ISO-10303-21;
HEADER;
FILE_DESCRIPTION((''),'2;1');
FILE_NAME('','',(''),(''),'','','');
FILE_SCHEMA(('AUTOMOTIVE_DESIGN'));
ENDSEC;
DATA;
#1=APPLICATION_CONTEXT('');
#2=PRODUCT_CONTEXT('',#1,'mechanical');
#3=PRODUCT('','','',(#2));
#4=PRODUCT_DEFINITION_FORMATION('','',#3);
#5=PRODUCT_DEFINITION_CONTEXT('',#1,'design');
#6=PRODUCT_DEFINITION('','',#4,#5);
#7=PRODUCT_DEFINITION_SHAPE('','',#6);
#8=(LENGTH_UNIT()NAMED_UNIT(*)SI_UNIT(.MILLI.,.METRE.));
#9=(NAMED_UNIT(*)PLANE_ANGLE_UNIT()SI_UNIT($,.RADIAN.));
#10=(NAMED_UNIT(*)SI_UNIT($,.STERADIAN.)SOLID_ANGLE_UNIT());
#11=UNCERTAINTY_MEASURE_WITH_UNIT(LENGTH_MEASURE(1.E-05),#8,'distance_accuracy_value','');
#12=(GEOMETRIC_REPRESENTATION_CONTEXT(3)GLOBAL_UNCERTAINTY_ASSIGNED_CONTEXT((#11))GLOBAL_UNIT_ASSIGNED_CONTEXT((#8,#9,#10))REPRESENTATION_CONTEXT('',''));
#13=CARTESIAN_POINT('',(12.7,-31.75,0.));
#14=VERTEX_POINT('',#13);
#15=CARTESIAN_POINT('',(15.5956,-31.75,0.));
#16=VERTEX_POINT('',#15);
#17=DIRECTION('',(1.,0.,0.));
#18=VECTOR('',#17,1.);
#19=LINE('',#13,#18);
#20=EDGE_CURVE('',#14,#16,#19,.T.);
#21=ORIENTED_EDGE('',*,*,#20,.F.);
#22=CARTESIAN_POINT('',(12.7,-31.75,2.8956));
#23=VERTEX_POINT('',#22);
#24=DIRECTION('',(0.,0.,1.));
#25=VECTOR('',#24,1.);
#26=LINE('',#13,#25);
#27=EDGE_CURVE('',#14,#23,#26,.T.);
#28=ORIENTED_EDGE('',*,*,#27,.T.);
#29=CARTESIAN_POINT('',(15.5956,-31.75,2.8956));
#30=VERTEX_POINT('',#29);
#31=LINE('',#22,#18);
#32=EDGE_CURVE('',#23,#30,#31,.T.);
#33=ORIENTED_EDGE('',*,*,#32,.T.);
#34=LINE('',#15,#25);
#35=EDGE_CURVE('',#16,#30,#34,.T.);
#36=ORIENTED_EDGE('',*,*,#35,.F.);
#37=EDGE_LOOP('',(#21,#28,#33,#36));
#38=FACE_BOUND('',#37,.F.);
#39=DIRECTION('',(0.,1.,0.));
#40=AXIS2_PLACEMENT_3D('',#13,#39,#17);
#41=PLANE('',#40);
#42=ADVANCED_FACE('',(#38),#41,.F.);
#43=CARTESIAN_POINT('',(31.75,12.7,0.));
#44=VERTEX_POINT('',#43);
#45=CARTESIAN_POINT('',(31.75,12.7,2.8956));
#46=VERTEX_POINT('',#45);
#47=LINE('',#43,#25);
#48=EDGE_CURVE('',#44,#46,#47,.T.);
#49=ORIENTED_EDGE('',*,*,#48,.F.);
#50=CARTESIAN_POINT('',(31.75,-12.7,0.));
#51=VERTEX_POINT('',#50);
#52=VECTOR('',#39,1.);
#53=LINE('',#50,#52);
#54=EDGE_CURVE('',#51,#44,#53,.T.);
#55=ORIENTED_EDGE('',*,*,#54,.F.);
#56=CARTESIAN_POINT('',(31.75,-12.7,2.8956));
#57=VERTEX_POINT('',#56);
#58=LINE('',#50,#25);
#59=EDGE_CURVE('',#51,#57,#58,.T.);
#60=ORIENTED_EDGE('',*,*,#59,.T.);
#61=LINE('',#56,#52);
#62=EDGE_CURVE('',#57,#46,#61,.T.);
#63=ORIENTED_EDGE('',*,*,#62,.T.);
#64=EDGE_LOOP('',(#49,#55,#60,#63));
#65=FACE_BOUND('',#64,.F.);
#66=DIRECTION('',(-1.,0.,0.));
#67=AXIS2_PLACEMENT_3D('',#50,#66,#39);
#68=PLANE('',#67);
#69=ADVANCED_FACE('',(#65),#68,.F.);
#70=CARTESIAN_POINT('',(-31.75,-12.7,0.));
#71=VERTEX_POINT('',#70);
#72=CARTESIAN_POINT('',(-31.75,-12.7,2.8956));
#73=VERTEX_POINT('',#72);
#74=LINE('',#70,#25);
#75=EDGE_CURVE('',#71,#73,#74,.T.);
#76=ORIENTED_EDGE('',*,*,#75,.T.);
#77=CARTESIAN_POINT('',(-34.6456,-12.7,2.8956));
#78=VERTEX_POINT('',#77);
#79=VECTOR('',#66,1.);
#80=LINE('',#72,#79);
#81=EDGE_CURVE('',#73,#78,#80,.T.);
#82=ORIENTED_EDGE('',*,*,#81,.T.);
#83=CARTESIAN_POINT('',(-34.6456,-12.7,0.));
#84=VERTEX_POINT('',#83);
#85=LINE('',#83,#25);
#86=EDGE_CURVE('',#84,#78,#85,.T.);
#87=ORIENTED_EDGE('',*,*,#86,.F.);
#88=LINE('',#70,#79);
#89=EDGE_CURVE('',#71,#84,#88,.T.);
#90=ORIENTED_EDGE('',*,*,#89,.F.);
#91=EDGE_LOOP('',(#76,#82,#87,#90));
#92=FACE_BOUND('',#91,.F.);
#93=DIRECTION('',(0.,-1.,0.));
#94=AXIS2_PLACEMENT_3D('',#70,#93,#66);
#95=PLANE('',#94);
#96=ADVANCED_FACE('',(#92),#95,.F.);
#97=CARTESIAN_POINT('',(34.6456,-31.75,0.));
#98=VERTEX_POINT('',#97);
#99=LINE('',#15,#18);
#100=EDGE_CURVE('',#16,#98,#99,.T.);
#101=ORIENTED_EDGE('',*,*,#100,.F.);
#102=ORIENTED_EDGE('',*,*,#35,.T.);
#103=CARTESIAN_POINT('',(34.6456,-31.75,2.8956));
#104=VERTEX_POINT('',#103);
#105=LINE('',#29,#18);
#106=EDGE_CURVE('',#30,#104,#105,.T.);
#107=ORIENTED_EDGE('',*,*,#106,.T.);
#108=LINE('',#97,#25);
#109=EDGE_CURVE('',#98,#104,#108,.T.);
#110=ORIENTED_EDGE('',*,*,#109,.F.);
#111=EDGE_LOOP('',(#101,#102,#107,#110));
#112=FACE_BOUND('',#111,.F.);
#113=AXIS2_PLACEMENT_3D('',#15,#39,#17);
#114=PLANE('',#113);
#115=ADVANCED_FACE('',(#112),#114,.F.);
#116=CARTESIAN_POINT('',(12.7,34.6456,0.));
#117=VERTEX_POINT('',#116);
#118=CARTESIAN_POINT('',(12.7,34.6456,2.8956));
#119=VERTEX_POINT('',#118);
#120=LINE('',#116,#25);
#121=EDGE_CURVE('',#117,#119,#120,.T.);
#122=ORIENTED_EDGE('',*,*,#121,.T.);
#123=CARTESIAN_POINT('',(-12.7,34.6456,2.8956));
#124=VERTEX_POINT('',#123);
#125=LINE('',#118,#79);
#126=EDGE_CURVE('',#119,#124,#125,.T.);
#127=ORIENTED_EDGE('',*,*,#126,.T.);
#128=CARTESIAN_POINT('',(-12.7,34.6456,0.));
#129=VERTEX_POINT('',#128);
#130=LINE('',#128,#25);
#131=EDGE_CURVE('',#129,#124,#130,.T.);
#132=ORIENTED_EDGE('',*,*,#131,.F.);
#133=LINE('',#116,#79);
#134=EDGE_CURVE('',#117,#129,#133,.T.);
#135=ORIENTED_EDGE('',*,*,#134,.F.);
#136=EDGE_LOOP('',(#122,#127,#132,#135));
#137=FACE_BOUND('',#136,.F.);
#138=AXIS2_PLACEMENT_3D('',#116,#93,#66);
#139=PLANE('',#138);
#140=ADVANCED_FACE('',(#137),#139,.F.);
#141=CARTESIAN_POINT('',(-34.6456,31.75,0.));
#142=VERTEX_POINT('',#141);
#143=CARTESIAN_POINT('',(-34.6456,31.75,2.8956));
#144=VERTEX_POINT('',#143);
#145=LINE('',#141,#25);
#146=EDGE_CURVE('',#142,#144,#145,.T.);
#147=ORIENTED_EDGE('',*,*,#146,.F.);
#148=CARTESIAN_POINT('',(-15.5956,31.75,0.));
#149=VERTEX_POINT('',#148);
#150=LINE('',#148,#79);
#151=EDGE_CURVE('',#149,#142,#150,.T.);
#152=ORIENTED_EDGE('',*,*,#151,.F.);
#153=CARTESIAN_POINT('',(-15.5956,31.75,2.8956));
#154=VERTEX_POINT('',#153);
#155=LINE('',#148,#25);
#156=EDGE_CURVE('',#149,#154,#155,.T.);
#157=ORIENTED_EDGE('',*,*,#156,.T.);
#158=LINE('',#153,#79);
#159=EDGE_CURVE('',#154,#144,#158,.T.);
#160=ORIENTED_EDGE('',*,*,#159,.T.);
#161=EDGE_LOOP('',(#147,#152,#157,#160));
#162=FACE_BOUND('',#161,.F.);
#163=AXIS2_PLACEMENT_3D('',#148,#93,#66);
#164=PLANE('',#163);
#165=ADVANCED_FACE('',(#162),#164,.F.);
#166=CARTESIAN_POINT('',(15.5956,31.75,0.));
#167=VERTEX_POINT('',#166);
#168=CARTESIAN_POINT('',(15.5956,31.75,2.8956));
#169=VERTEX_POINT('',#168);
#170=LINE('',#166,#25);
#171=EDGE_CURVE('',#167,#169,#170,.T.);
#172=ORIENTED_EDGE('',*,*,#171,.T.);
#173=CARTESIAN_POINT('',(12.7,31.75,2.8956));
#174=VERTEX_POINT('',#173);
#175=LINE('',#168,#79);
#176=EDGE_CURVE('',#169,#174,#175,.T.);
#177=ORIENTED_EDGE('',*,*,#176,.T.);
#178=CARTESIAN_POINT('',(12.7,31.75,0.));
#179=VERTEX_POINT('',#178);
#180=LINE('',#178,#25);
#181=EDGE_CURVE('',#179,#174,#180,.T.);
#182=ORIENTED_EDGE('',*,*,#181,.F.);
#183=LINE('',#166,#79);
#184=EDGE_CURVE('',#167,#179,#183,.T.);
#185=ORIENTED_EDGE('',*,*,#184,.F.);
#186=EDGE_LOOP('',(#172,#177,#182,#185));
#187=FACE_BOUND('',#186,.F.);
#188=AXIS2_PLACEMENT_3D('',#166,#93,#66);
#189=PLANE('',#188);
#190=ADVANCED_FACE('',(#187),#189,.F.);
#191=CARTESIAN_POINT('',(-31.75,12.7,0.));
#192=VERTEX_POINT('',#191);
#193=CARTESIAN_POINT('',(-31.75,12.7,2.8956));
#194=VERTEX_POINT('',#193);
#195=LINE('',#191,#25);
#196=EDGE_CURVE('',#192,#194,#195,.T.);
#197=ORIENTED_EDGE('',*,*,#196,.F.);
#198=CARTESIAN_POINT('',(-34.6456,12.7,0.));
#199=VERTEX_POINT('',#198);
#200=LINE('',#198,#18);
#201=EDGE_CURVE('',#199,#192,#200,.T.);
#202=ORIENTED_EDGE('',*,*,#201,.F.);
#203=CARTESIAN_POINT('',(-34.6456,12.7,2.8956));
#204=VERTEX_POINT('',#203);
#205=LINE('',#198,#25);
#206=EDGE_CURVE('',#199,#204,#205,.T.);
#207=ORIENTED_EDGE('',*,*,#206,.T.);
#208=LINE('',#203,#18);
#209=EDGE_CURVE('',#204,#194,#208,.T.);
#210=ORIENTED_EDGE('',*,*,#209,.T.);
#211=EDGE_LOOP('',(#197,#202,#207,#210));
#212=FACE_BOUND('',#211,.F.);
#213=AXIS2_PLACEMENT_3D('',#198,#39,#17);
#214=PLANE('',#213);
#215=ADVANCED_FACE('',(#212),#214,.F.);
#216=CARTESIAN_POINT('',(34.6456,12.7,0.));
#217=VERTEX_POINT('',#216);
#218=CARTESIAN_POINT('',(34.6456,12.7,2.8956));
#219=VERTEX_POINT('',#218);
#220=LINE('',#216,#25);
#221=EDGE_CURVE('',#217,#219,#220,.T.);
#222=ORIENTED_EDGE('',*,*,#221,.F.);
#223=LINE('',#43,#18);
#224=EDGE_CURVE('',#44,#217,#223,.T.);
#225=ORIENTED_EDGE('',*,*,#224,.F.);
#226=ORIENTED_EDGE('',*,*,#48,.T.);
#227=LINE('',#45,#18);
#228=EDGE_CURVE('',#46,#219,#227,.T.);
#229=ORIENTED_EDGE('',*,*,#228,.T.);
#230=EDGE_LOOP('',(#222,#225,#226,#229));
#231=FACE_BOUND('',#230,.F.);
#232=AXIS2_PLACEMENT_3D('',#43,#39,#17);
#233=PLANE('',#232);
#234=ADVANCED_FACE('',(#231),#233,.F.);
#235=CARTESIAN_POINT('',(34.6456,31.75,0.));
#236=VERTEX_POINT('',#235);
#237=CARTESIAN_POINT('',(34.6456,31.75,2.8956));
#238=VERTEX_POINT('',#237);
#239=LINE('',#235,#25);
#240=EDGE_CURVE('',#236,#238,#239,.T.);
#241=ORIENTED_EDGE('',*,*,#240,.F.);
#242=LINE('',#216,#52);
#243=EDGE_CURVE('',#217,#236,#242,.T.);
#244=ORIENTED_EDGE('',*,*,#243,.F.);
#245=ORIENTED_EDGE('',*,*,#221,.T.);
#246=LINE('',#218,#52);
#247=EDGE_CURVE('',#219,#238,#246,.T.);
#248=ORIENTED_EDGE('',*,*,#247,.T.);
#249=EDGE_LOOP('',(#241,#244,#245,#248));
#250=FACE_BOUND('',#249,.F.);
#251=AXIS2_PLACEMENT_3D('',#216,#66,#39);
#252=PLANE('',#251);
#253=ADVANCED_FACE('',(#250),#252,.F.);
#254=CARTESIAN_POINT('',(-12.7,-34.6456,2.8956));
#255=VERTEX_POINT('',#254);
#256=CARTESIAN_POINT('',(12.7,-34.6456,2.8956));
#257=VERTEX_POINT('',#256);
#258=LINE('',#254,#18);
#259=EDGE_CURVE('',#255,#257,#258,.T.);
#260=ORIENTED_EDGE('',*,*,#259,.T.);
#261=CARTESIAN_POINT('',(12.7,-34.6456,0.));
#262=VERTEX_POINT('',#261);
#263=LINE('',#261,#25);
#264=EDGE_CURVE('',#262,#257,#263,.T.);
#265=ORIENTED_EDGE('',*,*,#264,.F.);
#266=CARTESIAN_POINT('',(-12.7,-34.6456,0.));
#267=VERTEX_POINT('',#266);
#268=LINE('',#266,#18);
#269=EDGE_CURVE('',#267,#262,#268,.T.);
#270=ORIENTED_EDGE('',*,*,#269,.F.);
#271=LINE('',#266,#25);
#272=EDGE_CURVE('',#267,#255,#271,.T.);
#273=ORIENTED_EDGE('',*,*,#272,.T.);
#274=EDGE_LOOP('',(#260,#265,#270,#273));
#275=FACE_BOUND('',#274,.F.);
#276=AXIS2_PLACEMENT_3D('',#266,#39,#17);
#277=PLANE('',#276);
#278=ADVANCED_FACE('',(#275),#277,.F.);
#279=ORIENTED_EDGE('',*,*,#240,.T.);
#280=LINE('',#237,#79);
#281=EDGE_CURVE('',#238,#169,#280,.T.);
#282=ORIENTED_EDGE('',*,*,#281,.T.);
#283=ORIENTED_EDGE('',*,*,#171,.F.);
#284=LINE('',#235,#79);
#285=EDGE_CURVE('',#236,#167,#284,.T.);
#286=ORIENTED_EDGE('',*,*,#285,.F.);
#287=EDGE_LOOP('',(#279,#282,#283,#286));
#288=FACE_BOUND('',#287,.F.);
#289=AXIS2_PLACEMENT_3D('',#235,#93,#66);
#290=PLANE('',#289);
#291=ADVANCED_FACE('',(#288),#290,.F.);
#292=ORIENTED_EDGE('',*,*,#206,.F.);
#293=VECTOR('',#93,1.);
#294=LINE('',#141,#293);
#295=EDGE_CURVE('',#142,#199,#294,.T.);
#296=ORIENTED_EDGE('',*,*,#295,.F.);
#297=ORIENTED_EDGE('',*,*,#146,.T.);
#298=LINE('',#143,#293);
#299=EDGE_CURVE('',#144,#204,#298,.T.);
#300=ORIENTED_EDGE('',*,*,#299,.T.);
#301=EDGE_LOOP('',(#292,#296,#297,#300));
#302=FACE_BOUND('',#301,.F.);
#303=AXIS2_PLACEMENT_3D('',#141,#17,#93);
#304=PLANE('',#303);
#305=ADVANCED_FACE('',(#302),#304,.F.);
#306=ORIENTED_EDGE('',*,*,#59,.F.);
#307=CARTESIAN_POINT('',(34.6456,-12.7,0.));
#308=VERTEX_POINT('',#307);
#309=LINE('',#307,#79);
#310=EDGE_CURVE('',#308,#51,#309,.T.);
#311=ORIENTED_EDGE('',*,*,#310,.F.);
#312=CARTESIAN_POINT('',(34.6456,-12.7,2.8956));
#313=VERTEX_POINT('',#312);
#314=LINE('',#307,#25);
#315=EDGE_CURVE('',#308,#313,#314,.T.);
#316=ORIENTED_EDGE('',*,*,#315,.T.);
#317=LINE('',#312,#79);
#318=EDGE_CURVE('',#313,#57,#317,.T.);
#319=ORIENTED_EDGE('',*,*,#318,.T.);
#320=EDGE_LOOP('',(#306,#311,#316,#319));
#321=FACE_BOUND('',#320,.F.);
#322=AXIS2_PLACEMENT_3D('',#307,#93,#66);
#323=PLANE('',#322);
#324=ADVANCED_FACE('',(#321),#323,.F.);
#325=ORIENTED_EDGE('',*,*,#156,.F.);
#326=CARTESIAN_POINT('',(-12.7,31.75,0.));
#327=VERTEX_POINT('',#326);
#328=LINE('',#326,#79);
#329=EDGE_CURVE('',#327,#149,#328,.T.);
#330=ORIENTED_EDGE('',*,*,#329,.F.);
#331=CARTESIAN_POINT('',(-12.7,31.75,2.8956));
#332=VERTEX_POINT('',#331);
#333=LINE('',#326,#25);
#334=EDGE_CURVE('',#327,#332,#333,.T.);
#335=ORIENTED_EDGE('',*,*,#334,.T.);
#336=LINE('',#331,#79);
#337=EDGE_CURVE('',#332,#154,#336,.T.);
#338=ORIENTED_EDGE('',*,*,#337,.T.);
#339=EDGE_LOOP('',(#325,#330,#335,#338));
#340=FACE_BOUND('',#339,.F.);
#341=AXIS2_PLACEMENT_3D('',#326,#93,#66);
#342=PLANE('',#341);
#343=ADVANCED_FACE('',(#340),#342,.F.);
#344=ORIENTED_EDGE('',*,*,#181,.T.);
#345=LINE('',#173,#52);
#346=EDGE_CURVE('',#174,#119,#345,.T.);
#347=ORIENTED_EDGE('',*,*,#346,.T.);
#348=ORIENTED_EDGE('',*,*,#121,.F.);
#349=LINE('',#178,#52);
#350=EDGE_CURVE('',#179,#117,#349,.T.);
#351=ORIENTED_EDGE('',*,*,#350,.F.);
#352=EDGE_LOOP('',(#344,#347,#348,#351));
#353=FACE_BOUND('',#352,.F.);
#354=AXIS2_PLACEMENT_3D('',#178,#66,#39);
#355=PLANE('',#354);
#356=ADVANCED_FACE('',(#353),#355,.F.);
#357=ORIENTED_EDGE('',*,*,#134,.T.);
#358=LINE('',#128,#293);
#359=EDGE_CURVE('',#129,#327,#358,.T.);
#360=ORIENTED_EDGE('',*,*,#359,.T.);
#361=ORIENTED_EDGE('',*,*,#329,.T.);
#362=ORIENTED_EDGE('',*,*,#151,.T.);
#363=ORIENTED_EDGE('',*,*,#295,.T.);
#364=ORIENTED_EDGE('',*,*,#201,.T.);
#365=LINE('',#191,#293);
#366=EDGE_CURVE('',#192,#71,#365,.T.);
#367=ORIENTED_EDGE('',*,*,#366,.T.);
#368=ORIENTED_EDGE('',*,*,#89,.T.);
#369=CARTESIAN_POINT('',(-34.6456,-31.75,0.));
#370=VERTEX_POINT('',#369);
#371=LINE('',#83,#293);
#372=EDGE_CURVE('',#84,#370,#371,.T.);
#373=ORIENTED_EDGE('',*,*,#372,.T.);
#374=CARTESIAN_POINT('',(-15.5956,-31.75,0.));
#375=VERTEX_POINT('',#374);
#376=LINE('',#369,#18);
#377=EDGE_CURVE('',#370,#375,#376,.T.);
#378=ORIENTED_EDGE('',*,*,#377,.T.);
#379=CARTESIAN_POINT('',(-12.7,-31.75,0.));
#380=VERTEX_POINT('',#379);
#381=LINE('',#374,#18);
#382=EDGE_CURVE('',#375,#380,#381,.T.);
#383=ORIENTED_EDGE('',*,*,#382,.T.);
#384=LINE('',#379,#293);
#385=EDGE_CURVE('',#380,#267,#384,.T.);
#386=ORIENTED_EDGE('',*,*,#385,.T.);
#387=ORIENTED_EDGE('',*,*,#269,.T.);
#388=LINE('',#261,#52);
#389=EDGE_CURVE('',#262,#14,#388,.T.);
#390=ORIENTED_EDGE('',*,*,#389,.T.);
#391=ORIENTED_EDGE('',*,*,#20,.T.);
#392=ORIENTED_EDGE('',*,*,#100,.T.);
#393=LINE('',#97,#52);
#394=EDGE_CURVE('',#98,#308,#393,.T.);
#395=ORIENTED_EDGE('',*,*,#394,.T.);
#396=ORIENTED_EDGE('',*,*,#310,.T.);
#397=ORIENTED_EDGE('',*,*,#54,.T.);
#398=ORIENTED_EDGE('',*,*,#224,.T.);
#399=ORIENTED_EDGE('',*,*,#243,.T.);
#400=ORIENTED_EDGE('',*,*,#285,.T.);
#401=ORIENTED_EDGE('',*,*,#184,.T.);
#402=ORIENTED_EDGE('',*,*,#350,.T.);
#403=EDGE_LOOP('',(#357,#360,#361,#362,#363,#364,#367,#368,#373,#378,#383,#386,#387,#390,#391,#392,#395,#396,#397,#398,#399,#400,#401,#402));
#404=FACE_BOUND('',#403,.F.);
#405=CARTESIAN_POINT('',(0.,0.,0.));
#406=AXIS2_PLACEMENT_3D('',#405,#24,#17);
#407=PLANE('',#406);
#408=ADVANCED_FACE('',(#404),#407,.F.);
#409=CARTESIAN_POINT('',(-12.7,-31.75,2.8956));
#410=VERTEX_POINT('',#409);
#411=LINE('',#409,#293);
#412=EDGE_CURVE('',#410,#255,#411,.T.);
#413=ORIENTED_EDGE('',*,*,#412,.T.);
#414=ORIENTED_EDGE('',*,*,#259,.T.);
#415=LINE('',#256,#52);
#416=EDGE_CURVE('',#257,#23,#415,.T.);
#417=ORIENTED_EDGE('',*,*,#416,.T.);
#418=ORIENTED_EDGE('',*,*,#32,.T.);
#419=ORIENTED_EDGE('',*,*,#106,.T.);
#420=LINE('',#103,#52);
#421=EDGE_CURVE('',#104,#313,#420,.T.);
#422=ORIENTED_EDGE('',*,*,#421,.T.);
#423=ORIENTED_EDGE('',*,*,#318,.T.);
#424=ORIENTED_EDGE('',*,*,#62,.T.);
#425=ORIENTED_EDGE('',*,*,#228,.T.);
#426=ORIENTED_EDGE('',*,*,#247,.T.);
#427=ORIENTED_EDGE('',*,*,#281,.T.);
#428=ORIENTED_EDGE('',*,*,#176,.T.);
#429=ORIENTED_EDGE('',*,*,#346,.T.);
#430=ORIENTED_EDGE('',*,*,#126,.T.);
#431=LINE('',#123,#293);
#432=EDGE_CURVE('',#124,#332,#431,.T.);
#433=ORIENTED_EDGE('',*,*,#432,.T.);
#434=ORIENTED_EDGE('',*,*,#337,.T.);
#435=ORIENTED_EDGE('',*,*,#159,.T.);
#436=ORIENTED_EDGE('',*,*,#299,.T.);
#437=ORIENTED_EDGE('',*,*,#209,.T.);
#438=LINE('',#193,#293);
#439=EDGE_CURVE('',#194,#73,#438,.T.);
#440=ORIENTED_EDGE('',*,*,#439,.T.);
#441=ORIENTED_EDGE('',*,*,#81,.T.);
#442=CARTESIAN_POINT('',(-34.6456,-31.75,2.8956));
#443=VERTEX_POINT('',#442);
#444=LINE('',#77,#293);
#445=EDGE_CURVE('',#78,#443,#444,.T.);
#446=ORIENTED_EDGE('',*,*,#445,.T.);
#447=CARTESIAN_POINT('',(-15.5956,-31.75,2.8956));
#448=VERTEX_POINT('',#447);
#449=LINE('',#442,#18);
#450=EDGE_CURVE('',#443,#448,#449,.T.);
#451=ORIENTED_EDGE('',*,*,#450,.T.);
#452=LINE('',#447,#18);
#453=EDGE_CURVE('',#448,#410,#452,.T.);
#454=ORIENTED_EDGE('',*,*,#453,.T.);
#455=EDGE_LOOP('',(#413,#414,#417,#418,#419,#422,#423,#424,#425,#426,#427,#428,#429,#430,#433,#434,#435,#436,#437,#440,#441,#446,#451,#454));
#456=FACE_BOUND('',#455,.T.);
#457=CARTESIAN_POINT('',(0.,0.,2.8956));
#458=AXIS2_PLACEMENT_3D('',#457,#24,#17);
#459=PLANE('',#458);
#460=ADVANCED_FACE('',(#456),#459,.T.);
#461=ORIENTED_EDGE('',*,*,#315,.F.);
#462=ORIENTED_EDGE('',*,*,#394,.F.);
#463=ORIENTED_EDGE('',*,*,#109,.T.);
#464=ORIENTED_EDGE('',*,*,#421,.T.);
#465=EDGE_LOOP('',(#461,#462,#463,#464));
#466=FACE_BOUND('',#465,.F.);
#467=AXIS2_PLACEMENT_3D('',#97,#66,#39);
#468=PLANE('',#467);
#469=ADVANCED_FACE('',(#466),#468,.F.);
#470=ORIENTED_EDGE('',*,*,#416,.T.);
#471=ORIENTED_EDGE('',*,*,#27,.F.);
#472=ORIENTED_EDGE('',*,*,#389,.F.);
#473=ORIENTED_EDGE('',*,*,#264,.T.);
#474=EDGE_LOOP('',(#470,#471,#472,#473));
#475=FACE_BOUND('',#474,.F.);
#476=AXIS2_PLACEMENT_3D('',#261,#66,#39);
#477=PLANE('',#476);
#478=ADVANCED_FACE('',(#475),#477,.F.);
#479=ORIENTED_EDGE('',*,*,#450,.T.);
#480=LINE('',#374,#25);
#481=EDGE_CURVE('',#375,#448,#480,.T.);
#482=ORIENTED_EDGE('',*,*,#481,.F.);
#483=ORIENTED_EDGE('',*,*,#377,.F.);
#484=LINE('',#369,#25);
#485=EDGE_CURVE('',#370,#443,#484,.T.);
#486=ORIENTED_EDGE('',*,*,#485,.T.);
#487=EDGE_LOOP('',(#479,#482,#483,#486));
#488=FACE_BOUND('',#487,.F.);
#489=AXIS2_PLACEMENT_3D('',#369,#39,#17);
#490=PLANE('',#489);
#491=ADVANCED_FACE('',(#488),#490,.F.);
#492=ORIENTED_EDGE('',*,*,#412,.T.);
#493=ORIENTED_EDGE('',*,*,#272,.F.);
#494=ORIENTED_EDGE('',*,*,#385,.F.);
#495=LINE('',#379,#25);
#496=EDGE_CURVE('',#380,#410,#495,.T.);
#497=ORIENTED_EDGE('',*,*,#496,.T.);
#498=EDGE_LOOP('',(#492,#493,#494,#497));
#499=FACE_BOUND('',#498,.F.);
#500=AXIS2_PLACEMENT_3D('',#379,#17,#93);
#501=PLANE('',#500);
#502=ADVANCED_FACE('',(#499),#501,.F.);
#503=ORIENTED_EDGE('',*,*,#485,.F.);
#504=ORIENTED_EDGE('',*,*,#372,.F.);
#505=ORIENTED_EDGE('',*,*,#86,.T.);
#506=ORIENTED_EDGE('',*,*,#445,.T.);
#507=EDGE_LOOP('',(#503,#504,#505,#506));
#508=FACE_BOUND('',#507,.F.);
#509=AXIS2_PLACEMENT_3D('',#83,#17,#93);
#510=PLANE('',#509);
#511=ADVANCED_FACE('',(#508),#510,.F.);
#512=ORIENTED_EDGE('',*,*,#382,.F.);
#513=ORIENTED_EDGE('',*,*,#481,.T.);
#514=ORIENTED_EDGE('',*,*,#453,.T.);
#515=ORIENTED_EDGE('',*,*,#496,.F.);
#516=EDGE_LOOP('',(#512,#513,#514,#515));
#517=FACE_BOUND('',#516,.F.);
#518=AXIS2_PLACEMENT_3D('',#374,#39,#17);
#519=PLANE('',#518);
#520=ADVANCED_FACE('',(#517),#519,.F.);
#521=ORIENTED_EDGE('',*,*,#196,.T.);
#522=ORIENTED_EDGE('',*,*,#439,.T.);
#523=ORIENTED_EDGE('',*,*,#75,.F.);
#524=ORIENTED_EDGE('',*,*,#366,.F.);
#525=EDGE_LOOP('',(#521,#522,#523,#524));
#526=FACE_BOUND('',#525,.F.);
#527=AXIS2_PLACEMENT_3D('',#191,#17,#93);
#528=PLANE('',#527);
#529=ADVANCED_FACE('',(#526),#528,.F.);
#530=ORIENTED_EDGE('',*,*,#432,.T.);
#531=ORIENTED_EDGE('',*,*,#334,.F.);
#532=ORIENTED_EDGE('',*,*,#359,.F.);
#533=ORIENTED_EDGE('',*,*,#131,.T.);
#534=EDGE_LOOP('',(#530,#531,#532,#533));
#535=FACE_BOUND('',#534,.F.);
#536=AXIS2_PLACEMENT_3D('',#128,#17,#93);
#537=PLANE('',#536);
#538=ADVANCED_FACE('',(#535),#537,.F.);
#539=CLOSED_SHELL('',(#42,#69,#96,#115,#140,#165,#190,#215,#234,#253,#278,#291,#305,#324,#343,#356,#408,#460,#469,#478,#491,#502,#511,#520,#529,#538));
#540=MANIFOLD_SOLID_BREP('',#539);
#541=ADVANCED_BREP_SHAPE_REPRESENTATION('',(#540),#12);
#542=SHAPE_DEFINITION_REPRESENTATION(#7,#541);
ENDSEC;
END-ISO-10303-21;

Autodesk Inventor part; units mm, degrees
ref_plane "YZ Plane" through (0, 0, 0) normal (1, 0, 0) x (0, 1, 0)
ref_plane "XZ Plane" through (0, 0, 0) normal (0, 1, 0) x (-1, 0, 0)
ref_plane "XY Plane" through (0, 0, 0) normal (0, 0, 1) x (1, 0, 0)
sketch "Sketch1" plane through (0, 0, 0) normal (0, 0, 1) x (1, 0, 0)
  line L0 (12.7, -31.75) -> (15.5956, -31.75)
  line L1 (15.5956, -31.75) -> (34.6456, -31.75)
  line L2 (34.6456, -31.75) -> (34.6456, -12.7)
  line L3 (34.6456, -12.7) -> (31.75, -12.7)
  line L4 (31.75, -12.7) -> (31.75, 12.7)
  line L5 (31.75, 12.7) -> (34.6456, 12.7)
  line L6 (34.6456, 12.7) -> (34.6456, 31.75)
  line L7 (34.6456, 31.75) -> (15.5956, 31.75)
  line L8 (15.5956, 31.75) -> (12.7, 31.75)
  line L9 (12.7, 31.75) -> (12.7, 34.6456)
  line L10 (12.7, 34.6456) -> (-12.7, 34.6456)
  line L11 (-12.7, 34.6456) -> (-12.7, 31.75)
  line L12 (-12.7, 31.75) -> (-15.5956, 31.75)
  line L13 (-15.5956, 31.75) -> (-34.6456, 31.75)
  line L14 (-34.6456, 31.75) -> (-34.6456, 12.7)
  line L15 (-34.6456, 12.7) -> (-31.75, 12.7)
  line L16 (-31.75, 12.7) -> (-31.75, -12.7)
  line L17 (-31.75, -12.7) -> (-34.6456, -12.7)
  line L18 (-34.6456, -12.7) -> (-34.6456, -31.75)
  line L19 (-34.6456, -31.75) -> (-15.5956, -31.75)
  line L20 (-15.5956, -31.75) -> (-12.7, -31.75)
  line L21 (-12.7, -31.75) -> (-12.7, -34.6456)
  line L22 (-12.7, -34.6456) -> (12.7, -34.6456)
  line L23 (12.7, -34.6456) -> (12.7, -31.75)
  point P0 (0, 0)
extrude "Extrusion1" add sketch "Sketch1" along normal blind 2.8956
properties part number "outside_box_left_right" material "Polycarbonate, Clear"
